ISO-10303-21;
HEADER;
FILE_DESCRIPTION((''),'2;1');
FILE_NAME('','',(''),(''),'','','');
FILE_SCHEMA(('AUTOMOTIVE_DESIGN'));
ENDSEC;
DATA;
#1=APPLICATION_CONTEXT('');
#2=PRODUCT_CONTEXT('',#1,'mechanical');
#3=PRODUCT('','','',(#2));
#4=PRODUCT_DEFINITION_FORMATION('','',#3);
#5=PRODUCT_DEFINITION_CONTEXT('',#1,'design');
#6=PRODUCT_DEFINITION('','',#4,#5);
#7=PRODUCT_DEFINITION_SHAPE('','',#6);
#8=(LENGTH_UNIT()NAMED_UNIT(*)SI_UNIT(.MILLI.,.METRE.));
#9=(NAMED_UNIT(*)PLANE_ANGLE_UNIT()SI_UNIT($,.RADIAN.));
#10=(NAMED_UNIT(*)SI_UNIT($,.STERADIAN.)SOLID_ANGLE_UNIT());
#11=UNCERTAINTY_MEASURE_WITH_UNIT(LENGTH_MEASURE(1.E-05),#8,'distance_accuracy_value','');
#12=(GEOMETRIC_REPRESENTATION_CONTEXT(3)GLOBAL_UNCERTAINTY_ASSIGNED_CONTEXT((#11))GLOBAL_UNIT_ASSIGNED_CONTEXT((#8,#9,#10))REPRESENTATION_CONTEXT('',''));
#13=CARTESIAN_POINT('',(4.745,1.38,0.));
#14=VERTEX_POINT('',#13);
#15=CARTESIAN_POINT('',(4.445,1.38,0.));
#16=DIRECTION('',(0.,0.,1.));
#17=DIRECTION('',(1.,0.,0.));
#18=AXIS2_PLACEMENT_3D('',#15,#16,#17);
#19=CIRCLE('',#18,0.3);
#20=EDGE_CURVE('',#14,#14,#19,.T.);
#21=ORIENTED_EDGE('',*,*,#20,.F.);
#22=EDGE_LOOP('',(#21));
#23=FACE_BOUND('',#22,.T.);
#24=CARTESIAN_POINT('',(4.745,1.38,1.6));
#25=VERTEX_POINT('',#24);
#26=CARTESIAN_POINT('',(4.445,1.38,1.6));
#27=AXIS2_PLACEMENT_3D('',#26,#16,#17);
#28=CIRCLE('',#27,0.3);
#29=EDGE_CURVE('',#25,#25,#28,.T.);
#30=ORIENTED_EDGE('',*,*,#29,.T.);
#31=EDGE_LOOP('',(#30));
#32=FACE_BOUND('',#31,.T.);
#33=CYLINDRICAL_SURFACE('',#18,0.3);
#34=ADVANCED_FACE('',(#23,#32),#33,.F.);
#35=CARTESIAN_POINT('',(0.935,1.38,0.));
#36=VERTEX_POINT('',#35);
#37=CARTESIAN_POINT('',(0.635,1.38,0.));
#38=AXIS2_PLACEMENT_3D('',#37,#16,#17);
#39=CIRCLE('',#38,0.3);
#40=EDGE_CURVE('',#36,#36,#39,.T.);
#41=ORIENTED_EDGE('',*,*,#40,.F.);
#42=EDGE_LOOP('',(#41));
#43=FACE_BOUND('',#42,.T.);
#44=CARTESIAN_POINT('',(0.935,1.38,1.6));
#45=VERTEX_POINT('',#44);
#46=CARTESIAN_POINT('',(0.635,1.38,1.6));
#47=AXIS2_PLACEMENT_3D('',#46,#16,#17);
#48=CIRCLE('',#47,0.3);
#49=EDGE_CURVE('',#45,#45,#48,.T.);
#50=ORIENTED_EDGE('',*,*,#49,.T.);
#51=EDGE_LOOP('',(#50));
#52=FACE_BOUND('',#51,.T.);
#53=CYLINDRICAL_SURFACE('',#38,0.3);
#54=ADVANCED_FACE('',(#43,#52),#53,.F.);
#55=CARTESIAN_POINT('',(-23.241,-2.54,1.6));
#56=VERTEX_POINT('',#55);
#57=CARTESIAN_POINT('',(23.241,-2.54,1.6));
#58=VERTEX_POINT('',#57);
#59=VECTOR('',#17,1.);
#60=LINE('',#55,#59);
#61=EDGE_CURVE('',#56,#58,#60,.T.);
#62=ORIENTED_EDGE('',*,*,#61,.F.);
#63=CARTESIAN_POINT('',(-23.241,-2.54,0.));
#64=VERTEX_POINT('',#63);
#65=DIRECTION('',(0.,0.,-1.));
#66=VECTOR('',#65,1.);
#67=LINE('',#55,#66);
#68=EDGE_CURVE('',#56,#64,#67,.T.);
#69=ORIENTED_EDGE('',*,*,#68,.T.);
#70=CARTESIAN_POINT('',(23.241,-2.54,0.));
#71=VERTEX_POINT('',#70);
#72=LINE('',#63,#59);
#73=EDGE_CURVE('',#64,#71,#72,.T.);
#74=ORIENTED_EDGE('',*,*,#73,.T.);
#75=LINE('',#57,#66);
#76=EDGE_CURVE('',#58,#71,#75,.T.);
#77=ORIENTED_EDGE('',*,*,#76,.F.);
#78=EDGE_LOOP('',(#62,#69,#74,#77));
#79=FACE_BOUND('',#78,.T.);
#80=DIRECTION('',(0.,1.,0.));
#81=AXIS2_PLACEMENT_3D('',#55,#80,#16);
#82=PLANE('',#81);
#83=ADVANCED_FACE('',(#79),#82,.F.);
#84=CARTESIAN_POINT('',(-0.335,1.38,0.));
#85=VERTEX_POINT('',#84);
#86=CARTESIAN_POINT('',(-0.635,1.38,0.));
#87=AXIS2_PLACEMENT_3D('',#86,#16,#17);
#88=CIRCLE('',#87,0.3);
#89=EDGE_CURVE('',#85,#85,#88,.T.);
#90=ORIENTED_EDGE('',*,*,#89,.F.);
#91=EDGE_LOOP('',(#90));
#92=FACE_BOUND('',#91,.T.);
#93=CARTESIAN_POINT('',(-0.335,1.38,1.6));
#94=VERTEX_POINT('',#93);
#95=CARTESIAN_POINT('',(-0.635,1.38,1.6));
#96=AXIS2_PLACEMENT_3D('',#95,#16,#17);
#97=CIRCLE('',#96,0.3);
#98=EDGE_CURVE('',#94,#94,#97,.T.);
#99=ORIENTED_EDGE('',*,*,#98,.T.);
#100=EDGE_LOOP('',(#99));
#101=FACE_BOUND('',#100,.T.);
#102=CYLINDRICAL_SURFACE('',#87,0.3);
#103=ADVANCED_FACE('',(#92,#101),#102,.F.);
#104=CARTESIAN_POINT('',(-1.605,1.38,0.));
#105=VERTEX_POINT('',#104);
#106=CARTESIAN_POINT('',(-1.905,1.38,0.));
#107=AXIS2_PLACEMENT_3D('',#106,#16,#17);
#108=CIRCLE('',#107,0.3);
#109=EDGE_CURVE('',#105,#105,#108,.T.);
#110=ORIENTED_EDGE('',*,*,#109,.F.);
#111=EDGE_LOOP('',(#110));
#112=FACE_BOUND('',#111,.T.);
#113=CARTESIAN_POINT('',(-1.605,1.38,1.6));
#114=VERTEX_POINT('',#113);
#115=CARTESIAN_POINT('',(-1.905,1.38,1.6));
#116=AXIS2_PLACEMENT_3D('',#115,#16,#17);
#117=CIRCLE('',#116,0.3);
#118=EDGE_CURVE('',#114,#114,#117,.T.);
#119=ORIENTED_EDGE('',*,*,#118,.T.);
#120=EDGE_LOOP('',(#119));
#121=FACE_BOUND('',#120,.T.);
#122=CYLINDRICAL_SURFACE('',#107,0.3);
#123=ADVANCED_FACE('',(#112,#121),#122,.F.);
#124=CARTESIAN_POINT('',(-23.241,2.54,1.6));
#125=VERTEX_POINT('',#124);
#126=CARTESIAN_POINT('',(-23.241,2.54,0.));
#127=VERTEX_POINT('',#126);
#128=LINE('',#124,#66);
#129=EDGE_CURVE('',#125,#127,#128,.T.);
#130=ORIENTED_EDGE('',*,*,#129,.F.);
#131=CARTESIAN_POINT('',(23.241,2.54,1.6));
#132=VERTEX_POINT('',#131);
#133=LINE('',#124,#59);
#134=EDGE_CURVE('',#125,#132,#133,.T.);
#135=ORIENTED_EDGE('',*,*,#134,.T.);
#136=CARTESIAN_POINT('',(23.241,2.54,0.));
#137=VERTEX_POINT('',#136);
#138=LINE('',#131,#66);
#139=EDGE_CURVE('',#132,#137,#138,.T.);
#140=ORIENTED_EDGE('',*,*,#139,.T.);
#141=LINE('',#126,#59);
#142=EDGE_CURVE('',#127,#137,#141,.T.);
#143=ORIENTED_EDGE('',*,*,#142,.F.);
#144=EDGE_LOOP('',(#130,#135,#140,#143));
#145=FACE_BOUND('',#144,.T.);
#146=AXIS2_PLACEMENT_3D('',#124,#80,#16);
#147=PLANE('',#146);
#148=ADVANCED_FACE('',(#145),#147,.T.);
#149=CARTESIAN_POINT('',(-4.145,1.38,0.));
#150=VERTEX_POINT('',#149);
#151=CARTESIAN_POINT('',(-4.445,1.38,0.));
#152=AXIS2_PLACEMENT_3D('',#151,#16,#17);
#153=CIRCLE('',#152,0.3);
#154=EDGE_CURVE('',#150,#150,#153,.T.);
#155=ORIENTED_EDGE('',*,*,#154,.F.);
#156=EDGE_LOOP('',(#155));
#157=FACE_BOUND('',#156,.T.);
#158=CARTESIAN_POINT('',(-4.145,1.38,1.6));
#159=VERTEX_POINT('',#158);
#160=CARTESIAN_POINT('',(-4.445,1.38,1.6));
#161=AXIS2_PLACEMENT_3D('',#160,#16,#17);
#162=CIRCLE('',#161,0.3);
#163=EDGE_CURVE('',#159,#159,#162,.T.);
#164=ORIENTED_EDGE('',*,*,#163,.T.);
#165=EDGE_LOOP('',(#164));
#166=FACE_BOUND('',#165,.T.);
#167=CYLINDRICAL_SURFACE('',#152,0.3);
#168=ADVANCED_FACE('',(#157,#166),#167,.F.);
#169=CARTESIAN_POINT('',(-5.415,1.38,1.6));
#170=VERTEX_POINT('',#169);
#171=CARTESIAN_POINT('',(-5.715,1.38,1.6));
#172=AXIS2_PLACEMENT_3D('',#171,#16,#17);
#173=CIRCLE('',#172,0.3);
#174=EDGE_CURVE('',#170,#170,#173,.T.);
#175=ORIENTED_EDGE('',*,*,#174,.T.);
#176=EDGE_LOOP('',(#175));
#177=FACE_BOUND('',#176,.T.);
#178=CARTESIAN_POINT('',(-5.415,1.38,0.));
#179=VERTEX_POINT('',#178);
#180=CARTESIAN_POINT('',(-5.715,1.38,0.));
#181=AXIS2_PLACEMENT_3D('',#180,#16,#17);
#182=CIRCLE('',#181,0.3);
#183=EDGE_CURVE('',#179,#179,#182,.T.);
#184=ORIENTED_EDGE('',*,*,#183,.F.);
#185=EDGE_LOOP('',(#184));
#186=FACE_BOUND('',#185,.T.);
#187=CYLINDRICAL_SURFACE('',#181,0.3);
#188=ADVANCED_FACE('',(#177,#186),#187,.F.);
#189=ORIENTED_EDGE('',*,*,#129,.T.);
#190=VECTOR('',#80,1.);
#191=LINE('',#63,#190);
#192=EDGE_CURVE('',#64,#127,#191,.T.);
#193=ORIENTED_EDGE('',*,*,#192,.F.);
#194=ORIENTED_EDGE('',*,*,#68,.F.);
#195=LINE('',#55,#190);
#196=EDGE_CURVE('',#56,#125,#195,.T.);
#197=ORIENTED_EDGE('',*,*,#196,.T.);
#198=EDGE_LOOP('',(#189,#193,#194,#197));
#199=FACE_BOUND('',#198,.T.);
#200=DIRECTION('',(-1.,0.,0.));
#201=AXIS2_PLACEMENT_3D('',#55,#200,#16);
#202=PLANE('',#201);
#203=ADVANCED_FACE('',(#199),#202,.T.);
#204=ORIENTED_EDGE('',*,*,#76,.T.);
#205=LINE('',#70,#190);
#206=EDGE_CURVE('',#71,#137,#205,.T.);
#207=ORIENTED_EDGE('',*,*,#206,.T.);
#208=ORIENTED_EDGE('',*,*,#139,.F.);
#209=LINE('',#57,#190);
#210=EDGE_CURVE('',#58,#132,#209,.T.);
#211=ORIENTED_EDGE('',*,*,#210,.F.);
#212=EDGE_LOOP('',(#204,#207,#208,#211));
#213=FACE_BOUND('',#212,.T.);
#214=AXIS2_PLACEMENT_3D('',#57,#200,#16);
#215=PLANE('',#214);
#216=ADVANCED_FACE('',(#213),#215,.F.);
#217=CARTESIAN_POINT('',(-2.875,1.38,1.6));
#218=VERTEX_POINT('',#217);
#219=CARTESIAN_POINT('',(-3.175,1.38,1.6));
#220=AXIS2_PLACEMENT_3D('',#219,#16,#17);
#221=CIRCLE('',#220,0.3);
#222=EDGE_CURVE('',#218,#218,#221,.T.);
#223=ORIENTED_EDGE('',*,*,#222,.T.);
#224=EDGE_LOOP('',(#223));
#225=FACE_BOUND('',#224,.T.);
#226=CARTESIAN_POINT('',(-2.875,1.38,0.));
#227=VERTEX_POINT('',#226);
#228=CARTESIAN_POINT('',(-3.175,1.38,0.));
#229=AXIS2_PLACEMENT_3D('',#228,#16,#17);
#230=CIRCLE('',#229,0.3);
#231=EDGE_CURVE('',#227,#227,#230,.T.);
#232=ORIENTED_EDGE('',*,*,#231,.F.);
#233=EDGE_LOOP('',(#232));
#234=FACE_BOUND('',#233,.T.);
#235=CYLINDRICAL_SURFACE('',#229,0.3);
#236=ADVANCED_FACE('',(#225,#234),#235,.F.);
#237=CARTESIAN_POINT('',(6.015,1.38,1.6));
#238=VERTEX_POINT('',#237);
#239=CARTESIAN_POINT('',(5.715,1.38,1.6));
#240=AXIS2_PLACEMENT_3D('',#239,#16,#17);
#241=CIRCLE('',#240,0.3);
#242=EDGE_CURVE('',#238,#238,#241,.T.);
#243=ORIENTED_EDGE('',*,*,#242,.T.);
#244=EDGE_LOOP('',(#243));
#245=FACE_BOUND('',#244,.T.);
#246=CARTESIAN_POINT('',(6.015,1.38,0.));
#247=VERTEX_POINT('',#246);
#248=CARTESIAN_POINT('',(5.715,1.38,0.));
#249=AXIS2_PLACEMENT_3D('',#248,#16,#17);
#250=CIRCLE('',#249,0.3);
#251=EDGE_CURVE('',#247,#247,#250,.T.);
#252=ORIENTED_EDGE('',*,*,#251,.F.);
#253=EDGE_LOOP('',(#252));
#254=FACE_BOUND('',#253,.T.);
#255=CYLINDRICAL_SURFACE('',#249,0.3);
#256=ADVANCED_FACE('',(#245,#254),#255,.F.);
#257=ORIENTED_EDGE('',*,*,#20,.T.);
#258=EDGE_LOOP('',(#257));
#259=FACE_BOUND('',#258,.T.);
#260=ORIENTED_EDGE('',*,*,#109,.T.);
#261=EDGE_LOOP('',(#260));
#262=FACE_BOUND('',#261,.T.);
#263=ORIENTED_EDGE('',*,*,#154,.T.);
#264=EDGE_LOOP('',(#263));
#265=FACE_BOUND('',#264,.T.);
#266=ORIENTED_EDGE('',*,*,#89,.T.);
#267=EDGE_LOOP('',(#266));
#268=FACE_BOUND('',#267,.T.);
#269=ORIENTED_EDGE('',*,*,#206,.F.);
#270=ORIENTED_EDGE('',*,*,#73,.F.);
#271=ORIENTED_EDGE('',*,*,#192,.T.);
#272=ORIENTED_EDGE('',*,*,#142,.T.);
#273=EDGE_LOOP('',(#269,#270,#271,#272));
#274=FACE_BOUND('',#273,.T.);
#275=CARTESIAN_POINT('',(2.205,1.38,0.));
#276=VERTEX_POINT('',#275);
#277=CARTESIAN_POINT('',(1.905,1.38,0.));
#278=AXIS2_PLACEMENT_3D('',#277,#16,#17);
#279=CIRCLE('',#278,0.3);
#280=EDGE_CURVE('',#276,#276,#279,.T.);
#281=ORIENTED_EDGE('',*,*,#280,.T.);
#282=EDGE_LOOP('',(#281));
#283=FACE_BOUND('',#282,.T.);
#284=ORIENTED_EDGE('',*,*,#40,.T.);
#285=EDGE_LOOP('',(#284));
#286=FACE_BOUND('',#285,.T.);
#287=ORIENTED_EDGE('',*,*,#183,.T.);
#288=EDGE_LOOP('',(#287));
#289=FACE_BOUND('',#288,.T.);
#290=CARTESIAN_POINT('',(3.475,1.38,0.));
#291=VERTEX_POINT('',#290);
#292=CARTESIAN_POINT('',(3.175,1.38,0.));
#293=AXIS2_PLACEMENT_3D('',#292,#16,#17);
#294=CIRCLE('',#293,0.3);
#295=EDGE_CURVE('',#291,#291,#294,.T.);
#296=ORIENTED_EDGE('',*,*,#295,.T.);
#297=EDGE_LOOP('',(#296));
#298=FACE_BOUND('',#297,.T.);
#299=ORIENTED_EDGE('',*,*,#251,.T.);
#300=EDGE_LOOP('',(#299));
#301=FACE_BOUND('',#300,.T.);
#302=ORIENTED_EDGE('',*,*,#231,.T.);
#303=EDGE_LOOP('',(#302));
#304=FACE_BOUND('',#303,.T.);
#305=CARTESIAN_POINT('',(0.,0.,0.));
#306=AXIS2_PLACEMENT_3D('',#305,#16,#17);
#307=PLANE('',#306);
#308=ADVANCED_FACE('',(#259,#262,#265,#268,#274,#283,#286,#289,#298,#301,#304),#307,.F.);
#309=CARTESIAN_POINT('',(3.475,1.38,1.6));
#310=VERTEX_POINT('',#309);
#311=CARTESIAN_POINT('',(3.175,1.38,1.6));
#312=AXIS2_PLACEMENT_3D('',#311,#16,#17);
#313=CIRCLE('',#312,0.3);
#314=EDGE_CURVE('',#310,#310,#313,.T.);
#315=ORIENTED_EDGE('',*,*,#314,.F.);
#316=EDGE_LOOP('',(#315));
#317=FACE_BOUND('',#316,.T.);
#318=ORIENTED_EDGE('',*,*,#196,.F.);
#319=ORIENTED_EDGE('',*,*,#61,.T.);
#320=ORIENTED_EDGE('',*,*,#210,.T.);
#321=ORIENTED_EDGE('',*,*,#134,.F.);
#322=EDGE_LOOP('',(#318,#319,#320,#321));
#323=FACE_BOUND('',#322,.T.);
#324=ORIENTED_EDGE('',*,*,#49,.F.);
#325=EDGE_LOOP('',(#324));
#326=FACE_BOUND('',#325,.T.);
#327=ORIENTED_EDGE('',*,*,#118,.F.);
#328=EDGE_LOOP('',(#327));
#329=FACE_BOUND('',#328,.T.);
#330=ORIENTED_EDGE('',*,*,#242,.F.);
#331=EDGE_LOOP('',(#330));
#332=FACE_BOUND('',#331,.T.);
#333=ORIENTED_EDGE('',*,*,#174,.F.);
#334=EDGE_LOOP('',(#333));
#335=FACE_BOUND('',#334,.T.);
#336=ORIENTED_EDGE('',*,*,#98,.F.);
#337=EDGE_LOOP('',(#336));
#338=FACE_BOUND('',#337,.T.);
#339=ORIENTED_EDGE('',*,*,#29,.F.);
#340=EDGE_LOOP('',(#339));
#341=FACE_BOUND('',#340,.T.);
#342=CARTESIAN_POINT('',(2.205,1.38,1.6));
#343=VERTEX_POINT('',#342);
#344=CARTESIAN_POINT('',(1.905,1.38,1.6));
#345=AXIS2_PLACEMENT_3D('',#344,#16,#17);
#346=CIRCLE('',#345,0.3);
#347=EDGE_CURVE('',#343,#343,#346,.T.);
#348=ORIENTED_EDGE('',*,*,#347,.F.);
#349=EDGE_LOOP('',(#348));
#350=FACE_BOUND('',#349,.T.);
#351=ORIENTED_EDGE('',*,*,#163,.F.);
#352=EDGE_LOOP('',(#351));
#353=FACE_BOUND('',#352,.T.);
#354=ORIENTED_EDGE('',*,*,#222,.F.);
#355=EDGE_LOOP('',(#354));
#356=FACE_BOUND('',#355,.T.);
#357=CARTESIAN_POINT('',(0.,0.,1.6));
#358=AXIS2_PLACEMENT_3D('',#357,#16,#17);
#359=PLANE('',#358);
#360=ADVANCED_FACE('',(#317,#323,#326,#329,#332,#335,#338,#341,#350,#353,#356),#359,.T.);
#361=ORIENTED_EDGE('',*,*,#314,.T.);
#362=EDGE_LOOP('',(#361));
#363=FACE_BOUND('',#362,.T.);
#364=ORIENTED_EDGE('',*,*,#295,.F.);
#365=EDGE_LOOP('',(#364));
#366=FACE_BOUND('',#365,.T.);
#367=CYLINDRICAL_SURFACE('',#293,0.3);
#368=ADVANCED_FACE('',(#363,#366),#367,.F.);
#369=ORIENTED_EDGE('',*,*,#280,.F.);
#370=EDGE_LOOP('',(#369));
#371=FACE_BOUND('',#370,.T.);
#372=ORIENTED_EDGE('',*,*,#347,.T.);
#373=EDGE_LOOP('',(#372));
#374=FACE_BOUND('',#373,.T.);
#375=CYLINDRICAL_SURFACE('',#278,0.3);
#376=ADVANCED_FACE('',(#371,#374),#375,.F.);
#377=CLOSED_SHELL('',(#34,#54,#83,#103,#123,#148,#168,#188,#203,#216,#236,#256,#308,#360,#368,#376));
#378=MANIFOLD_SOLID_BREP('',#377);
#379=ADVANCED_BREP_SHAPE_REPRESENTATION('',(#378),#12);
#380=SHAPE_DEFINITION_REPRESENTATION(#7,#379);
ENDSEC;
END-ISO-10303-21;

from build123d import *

# Parameters (mm, degrees)
SKETCH1_W           = 46.482
SKETCH1_H           = 5.08
BOSS_EXTRUDE1_DEPTH = 1.6
SKETCH2_R           = 0.3
CUT_EXTRUDE1_DEPTH  = 2.6


with BuildPart() as part:
    # Sketch1 → Boss-Extrude1 (new body)
    with BuildSketch(Plane.XY):
        Rectangle(SKETCH1_W, SKETCH1_H)
    extrude(amount=BOSS_EXTRUDE1_DEPTH)

    # Sketch2 → Cut-Extrude1 (cut, through all)
    with BuildSketch(Plane.XY.offset(1.6)):
        with Locations((-5.715, 1.38)):
            Circle(SKETCH2_R)
        with Locations((-4.445, 1.38)):
            Circle(SKETCH2_R)
        with Locations((-3.175, 1.38)):
            Circle(SKETCH2_R)
        with Locations((-1.905, 1.38)):
            Circle(SKETCH2_R)
        with Locations((-0.635, 1.38)):
            Circle(SKETCH2_R)
        with Locations((0.635, 1.38)):
            Circle(SKETCH2_R)
        with Locations((1.905, 1.38)):
            Circle(SKETCH2_R)
        with Locations((3.175, 1.38)):
            Circle(SKETCH2_R)
        with Locations((4.445, 1.38)):
            Circle(SKETCH2_R)
        with Locations((5.715, 1.38)):
            Circle(SKETCH2_R)
    extrude(amount=-CUT_EXTRUDE1_DEPTH, mode=Mode.SUBTRACT)


solid = part.part
